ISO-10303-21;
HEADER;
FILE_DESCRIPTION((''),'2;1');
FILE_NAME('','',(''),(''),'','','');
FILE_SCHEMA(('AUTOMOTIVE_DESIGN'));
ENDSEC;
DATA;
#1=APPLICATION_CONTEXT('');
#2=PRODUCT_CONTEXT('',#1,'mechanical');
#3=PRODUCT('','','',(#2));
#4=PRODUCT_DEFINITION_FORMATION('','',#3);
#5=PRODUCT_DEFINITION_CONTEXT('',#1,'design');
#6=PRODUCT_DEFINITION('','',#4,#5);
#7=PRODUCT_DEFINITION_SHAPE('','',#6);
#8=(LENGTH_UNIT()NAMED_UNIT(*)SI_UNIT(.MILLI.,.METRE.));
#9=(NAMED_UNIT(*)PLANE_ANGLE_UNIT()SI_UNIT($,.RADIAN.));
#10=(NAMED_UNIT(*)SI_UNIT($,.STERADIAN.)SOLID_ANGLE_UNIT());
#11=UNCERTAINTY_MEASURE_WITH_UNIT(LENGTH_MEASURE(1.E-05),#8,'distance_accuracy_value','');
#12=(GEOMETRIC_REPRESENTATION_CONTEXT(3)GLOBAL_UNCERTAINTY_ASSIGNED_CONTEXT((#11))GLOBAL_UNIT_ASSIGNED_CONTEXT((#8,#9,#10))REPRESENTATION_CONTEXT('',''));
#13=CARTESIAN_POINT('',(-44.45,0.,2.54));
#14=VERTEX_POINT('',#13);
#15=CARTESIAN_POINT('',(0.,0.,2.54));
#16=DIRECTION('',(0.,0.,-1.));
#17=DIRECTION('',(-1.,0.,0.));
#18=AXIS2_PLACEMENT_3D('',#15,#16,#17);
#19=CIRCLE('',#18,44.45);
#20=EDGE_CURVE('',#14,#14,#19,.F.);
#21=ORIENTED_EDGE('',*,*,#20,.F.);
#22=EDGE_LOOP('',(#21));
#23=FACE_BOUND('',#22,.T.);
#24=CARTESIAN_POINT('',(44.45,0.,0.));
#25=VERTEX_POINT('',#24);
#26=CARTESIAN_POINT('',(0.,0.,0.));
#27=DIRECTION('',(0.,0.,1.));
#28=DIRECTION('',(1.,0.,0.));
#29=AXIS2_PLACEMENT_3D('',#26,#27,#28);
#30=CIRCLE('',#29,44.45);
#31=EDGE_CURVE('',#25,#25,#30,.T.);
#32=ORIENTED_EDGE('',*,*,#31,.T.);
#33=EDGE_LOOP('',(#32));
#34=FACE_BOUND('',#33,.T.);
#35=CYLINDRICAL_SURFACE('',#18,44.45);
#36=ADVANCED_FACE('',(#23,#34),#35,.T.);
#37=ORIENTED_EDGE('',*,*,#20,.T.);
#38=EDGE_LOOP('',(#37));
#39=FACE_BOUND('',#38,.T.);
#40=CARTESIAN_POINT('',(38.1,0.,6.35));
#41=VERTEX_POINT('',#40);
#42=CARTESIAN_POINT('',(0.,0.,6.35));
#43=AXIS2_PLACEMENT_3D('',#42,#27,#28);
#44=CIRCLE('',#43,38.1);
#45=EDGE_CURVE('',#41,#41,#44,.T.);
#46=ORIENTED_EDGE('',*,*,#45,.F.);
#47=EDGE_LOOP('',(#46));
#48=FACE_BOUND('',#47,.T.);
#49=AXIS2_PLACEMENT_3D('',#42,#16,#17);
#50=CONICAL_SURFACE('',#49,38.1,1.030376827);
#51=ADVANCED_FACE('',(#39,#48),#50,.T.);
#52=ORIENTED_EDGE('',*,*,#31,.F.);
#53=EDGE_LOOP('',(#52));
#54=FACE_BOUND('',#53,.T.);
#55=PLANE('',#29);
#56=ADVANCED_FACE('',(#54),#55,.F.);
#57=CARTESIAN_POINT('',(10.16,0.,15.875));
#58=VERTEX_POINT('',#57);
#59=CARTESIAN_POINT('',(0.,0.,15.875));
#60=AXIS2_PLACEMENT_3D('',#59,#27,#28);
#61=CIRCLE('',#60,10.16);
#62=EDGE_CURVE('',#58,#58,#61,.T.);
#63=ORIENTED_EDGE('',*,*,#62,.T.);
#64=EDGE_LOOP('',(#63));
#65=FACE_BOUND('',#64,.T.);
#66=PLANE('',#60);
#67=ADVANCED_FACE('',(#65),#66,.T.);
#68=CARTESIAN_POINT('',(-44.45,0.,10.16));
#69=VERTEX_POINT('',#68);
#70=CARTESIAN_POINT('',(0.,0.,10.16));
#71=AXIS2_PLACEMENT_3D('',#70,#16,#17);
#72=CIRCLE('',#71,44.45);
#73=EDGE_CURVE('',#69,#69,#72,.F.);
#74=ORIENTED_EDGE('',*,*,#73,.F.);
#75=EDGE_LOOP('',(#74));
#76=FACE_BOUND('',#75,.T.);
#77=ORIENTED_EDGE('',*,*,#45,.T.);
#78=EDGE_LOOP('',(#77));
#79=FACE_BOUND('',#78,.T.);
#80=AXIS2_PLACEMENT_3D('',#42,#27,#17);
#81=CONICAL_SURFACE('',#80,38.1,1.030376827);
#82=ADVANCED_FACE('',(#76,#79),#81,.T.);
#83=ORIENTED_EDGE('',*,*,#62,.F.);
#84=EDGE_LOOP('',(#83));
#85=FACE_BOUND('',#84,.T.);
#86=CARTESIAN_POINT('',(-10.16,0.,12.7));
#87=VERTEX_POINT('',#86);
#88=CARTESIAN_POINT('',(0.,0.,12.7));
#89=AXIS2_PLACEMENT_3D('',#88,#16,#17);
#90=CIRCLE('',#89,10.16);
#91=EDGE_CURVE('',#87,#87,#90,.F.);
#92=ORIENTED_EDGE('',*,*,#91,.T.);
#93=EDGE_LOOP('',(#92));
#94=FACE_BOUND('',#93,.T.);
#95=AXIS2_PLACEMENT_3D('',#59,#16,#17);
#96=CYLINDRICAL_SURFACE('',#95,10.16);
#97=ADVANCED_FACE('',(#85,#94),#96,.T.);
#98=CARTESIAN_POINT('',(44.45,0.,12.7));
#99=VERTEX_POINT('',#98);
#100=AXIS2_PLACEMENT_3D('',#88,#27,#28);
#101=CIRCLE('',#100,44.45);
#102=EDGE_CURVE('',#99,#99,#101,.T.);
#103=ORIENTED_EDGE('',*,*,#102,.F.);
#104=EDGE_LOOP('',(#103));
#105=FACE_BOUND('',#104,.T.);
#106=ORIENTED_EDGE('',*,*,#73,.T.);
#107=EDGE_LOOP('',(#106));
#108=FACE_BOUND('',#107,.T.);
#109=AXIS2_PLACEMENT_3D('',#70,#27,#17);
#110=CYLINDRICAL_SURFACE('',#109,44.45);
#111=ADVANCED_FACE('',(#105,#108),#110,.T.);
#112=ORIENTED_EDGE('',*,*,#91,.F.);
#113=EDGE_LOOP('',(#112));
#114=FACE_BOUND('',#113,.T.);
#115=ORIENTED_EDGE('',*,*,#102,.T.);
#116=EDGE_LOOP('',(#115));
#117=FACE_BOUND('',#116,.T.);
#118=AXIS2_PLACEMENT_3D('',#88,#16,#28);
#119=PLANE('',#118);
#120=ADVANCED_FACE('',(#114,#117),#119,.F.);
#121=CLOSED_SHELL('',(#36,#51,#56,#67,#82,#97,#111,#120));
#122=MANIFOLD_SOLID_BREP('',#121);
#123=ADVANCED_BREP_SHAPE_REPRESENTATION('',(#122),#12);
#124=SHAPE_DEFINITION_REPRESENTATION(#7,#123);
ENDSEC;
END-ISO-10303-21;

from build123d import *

# Parameters (mm, degrees)
SKETCH1_R           = 44.45
BOSS_EXTRUDE1_DEPTH = 2.54
SKETCH2_R           = 38.1
SKETCH3_R           = 10.16
BOSS_EXTRUDE2_DEPTH = 3.175


with BuildPart() as part:
    # Sketch1 → Boss-Extrude1 (new body)
    with BuildSketch(Plane.XY):
        Circle(SKETCH1_R)
    extrude(amount=BOSS_EXTRUDE1_DEPTH)

    # Sketch2 → section 1 of loft1
    with BuildSketch(Plane.XY.offset(6.35), mode=Mode.PRIVATE) as loft1_s1:
        Circle(SKETCH2_R)
    # loft up to a face of the part (loft1)
    loft([Face(Wire([part.edges().sort_by_distance((-30.428118859, 32.402655489, 2.54))[0]])), loft1_s1.sketch])

    # Mirror3: part across plane


with BuildPart() as part_1:
    add(part.part)
    add(part.part.mirror(Plane.XY.offset(6.35)))

    # Sketch3 → Boss-Extrude2 (add)
    with BuildSketch(Plane.XY.offset(12.7)):
        with Locations(Location((0, 0, 0), (0, 0, 180))):
            Circle(SKETCH3_R)
    extrude(amount=BOSS_EXTRUDE2_DEPTH)


solid = part_1.part
